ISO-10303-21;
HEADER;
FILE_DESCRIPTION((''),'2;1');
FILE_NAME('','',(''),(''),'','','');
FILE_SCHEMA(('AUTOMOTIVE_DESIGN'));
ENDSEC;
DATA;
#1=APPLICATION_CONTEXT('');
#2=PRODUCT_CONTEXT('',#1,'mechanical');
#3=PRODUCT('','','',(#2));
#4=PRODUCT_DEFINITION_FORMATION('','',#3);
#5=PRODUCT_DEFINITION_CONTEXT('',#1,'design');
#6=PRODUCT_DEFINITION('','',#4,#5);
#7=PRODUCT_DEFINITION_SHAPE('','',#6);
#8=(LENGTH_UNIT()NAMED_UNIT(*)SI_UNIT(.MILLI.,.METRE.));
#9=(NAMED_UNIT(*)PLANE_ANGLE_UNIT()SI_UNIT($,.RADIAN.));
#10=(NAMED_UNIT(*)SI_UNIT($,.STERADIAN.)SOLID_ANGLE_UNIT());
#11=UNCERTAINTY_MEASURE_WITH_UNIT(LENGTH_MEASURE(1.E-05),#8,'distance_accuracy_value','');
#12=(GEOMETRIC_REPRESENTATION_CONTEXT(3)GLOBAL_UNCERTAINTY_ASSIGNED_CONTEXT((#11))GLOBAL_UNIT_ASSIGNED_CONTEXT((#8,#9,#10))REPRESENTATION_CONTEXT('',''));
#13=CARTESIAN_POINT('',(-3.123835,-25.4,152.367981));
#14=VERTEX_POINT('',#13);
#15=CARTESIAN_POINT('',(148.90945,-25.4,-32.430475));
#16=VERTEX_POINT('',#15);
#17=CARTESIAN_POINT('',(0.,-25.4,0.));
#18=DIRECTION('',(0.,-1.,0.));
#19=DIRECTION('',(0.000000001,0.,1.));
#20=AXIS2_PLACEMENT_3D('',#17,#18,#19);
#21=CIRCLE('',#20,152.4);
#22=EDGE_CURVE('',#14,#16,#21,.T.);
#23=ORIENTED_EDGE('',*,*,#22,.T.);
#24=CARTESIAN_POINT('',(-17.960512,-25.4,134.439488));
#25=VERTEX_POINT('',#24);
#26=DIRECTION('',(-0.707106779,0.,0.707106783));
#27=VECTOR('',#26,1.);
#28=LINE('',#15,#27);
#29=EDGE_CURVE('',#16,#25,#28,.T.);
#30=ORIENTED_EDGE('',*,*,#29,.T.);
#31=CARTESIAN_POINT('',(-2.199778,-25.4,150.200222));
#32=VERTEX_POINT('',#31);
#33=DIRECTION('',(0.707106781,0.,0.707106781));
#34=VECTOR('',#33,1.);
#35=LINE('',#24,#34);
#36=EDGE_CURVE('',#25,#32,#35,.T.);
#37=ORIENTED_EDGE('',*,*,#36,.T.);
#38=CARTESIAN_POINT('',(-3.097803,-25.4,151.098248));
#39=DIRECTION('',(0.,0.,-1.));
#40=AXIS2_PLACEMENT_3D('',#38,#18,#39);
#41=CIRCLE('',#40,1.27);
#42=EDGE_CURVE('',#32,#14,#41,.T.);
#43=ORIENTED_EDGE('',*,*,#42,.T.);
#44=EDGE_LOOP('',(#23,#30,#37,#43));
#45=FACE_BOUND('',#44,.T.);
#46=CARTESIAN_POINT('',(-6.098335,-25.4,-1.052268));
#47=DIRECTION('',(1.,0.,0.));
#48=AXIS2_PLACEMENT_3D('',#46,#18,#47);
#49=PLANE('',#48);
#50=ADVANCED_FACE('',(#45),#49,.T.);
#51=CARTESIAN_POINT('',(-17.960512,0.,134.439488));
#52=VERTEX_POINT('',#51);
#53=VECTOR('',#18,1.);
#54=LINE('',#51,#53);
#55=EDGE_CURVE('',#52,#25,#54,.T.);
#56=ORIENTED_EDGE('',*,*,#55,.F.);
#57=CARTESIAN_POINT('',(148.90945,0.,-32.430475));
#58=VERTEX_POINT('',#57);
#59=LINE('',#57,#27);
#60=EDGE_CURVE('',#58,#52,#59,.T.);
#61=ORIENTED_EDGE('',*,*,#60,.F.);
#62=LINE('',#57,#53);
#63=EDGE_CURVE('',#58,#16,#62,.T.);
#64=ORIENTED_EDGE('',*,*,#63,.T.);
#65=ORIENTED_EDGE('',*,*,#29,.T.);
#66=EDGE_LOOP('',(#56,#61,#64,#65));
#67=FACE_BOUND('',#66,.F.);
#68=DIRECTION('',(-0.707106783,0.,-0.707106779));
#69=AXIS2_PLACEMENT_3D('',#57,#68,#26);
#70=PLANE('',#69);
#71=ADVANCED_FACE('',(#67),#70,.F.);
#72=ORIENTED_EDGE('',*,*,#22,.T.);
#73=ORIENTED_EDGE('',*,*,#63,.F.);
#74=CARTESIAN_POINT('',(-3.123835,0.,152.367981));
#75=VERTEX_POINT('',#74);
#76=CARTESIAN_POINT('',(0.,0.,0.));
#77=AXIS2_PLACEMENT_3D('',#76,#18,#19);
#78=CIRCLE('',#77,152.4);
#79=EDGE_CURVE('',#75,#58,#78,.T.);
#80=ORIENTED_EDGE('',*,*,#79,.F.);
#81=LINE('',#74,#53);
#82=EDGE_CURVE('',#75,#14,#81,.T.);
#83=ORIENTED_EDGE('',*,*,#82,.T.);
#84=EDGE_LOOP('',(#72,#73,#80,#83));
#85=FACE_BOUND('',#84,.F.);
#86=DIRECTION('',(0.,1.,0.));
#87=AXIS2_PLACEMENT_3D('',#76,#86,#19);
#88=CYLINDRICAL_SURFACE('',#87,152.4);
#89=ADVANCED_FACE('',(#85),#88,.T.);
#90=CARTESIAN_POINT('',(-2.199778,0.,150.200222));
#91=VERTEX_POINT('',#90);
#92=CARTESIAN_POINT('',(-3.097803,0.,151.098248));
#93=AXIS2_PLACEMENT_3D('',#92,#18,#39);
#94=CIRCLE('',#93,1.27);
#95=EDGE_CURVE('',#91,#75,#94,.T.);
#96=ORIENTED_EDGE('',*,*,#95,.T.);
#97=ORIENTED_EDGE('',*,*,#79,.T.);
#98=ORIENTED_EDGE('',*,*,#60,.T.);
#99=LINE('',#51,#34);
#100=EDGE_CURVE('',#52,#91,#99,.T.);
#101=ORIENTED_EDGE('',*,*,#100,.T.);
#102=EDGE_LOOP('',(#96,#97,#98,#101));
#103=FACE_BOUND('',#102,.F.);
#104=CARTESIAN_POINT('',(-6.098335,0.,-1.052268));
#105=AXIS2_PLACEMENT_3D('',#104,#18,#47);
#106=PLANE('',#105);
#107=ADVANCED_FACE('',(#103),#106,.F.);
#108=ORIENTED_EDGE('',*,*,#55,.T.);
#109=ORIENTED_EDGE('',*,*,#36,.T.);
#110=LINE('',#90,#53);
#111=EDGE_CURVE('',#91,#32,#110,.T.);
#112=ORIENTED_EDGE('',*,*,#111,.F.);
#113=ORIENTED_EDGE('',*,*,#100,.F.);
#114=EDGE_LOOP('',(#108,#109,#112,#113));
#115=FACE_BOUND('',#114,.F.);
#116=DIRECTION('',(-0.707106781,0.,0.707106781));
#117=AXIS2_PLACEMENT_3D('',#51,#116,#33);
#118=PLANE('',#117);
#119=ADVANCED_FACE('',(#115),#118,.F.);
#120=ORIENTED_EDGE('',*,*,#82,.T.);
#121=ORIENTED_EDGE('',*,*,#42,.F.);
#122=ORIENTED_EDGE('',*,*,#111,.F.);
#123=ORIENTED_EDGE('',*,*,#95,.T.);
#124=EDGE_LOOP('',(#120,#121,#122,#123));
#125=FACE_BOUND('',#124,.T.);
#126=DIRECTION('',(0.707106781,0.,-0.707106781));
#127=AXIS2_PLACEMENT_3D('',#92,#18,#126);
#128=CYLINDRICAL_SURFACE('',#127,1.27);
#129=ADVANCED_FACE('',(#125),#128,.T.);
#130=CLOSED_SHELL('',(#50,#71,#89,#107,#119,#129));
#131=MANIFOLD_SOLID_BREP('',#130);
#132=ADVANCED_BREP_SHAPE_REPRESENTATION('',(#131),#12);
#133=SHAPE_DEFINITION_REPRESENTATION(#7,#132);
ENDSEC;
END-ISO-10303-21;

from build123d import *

# Parameters (mm, degrees)
F1_DEPTH = 25.4
F2_R     = 1.27


with BuildPart() as f1:
    # F0 (on Front) → F1 (new body)
    with BuildSketch(Plane.XZ):
        with BuildLine():
            Line((-17.960512, 134.439488), (0, 152.4))
            ThreePointArc((0, 152.4), (-118.676376, -95.612122), (148.90945, -32.430475))
            Line((148.90945, -32.430475), (-17.960512, 134.439488))
        make_face()
    extrude(amount=F1_DEPTH)

    # F2
    f2_edges = [f1.edges().sort_by_distance(p)[0] for p in [
        (0, -12.7, 152.4),
    ]]
    fillet(f2_edges, radius=F2_R)


solid = f1.part
